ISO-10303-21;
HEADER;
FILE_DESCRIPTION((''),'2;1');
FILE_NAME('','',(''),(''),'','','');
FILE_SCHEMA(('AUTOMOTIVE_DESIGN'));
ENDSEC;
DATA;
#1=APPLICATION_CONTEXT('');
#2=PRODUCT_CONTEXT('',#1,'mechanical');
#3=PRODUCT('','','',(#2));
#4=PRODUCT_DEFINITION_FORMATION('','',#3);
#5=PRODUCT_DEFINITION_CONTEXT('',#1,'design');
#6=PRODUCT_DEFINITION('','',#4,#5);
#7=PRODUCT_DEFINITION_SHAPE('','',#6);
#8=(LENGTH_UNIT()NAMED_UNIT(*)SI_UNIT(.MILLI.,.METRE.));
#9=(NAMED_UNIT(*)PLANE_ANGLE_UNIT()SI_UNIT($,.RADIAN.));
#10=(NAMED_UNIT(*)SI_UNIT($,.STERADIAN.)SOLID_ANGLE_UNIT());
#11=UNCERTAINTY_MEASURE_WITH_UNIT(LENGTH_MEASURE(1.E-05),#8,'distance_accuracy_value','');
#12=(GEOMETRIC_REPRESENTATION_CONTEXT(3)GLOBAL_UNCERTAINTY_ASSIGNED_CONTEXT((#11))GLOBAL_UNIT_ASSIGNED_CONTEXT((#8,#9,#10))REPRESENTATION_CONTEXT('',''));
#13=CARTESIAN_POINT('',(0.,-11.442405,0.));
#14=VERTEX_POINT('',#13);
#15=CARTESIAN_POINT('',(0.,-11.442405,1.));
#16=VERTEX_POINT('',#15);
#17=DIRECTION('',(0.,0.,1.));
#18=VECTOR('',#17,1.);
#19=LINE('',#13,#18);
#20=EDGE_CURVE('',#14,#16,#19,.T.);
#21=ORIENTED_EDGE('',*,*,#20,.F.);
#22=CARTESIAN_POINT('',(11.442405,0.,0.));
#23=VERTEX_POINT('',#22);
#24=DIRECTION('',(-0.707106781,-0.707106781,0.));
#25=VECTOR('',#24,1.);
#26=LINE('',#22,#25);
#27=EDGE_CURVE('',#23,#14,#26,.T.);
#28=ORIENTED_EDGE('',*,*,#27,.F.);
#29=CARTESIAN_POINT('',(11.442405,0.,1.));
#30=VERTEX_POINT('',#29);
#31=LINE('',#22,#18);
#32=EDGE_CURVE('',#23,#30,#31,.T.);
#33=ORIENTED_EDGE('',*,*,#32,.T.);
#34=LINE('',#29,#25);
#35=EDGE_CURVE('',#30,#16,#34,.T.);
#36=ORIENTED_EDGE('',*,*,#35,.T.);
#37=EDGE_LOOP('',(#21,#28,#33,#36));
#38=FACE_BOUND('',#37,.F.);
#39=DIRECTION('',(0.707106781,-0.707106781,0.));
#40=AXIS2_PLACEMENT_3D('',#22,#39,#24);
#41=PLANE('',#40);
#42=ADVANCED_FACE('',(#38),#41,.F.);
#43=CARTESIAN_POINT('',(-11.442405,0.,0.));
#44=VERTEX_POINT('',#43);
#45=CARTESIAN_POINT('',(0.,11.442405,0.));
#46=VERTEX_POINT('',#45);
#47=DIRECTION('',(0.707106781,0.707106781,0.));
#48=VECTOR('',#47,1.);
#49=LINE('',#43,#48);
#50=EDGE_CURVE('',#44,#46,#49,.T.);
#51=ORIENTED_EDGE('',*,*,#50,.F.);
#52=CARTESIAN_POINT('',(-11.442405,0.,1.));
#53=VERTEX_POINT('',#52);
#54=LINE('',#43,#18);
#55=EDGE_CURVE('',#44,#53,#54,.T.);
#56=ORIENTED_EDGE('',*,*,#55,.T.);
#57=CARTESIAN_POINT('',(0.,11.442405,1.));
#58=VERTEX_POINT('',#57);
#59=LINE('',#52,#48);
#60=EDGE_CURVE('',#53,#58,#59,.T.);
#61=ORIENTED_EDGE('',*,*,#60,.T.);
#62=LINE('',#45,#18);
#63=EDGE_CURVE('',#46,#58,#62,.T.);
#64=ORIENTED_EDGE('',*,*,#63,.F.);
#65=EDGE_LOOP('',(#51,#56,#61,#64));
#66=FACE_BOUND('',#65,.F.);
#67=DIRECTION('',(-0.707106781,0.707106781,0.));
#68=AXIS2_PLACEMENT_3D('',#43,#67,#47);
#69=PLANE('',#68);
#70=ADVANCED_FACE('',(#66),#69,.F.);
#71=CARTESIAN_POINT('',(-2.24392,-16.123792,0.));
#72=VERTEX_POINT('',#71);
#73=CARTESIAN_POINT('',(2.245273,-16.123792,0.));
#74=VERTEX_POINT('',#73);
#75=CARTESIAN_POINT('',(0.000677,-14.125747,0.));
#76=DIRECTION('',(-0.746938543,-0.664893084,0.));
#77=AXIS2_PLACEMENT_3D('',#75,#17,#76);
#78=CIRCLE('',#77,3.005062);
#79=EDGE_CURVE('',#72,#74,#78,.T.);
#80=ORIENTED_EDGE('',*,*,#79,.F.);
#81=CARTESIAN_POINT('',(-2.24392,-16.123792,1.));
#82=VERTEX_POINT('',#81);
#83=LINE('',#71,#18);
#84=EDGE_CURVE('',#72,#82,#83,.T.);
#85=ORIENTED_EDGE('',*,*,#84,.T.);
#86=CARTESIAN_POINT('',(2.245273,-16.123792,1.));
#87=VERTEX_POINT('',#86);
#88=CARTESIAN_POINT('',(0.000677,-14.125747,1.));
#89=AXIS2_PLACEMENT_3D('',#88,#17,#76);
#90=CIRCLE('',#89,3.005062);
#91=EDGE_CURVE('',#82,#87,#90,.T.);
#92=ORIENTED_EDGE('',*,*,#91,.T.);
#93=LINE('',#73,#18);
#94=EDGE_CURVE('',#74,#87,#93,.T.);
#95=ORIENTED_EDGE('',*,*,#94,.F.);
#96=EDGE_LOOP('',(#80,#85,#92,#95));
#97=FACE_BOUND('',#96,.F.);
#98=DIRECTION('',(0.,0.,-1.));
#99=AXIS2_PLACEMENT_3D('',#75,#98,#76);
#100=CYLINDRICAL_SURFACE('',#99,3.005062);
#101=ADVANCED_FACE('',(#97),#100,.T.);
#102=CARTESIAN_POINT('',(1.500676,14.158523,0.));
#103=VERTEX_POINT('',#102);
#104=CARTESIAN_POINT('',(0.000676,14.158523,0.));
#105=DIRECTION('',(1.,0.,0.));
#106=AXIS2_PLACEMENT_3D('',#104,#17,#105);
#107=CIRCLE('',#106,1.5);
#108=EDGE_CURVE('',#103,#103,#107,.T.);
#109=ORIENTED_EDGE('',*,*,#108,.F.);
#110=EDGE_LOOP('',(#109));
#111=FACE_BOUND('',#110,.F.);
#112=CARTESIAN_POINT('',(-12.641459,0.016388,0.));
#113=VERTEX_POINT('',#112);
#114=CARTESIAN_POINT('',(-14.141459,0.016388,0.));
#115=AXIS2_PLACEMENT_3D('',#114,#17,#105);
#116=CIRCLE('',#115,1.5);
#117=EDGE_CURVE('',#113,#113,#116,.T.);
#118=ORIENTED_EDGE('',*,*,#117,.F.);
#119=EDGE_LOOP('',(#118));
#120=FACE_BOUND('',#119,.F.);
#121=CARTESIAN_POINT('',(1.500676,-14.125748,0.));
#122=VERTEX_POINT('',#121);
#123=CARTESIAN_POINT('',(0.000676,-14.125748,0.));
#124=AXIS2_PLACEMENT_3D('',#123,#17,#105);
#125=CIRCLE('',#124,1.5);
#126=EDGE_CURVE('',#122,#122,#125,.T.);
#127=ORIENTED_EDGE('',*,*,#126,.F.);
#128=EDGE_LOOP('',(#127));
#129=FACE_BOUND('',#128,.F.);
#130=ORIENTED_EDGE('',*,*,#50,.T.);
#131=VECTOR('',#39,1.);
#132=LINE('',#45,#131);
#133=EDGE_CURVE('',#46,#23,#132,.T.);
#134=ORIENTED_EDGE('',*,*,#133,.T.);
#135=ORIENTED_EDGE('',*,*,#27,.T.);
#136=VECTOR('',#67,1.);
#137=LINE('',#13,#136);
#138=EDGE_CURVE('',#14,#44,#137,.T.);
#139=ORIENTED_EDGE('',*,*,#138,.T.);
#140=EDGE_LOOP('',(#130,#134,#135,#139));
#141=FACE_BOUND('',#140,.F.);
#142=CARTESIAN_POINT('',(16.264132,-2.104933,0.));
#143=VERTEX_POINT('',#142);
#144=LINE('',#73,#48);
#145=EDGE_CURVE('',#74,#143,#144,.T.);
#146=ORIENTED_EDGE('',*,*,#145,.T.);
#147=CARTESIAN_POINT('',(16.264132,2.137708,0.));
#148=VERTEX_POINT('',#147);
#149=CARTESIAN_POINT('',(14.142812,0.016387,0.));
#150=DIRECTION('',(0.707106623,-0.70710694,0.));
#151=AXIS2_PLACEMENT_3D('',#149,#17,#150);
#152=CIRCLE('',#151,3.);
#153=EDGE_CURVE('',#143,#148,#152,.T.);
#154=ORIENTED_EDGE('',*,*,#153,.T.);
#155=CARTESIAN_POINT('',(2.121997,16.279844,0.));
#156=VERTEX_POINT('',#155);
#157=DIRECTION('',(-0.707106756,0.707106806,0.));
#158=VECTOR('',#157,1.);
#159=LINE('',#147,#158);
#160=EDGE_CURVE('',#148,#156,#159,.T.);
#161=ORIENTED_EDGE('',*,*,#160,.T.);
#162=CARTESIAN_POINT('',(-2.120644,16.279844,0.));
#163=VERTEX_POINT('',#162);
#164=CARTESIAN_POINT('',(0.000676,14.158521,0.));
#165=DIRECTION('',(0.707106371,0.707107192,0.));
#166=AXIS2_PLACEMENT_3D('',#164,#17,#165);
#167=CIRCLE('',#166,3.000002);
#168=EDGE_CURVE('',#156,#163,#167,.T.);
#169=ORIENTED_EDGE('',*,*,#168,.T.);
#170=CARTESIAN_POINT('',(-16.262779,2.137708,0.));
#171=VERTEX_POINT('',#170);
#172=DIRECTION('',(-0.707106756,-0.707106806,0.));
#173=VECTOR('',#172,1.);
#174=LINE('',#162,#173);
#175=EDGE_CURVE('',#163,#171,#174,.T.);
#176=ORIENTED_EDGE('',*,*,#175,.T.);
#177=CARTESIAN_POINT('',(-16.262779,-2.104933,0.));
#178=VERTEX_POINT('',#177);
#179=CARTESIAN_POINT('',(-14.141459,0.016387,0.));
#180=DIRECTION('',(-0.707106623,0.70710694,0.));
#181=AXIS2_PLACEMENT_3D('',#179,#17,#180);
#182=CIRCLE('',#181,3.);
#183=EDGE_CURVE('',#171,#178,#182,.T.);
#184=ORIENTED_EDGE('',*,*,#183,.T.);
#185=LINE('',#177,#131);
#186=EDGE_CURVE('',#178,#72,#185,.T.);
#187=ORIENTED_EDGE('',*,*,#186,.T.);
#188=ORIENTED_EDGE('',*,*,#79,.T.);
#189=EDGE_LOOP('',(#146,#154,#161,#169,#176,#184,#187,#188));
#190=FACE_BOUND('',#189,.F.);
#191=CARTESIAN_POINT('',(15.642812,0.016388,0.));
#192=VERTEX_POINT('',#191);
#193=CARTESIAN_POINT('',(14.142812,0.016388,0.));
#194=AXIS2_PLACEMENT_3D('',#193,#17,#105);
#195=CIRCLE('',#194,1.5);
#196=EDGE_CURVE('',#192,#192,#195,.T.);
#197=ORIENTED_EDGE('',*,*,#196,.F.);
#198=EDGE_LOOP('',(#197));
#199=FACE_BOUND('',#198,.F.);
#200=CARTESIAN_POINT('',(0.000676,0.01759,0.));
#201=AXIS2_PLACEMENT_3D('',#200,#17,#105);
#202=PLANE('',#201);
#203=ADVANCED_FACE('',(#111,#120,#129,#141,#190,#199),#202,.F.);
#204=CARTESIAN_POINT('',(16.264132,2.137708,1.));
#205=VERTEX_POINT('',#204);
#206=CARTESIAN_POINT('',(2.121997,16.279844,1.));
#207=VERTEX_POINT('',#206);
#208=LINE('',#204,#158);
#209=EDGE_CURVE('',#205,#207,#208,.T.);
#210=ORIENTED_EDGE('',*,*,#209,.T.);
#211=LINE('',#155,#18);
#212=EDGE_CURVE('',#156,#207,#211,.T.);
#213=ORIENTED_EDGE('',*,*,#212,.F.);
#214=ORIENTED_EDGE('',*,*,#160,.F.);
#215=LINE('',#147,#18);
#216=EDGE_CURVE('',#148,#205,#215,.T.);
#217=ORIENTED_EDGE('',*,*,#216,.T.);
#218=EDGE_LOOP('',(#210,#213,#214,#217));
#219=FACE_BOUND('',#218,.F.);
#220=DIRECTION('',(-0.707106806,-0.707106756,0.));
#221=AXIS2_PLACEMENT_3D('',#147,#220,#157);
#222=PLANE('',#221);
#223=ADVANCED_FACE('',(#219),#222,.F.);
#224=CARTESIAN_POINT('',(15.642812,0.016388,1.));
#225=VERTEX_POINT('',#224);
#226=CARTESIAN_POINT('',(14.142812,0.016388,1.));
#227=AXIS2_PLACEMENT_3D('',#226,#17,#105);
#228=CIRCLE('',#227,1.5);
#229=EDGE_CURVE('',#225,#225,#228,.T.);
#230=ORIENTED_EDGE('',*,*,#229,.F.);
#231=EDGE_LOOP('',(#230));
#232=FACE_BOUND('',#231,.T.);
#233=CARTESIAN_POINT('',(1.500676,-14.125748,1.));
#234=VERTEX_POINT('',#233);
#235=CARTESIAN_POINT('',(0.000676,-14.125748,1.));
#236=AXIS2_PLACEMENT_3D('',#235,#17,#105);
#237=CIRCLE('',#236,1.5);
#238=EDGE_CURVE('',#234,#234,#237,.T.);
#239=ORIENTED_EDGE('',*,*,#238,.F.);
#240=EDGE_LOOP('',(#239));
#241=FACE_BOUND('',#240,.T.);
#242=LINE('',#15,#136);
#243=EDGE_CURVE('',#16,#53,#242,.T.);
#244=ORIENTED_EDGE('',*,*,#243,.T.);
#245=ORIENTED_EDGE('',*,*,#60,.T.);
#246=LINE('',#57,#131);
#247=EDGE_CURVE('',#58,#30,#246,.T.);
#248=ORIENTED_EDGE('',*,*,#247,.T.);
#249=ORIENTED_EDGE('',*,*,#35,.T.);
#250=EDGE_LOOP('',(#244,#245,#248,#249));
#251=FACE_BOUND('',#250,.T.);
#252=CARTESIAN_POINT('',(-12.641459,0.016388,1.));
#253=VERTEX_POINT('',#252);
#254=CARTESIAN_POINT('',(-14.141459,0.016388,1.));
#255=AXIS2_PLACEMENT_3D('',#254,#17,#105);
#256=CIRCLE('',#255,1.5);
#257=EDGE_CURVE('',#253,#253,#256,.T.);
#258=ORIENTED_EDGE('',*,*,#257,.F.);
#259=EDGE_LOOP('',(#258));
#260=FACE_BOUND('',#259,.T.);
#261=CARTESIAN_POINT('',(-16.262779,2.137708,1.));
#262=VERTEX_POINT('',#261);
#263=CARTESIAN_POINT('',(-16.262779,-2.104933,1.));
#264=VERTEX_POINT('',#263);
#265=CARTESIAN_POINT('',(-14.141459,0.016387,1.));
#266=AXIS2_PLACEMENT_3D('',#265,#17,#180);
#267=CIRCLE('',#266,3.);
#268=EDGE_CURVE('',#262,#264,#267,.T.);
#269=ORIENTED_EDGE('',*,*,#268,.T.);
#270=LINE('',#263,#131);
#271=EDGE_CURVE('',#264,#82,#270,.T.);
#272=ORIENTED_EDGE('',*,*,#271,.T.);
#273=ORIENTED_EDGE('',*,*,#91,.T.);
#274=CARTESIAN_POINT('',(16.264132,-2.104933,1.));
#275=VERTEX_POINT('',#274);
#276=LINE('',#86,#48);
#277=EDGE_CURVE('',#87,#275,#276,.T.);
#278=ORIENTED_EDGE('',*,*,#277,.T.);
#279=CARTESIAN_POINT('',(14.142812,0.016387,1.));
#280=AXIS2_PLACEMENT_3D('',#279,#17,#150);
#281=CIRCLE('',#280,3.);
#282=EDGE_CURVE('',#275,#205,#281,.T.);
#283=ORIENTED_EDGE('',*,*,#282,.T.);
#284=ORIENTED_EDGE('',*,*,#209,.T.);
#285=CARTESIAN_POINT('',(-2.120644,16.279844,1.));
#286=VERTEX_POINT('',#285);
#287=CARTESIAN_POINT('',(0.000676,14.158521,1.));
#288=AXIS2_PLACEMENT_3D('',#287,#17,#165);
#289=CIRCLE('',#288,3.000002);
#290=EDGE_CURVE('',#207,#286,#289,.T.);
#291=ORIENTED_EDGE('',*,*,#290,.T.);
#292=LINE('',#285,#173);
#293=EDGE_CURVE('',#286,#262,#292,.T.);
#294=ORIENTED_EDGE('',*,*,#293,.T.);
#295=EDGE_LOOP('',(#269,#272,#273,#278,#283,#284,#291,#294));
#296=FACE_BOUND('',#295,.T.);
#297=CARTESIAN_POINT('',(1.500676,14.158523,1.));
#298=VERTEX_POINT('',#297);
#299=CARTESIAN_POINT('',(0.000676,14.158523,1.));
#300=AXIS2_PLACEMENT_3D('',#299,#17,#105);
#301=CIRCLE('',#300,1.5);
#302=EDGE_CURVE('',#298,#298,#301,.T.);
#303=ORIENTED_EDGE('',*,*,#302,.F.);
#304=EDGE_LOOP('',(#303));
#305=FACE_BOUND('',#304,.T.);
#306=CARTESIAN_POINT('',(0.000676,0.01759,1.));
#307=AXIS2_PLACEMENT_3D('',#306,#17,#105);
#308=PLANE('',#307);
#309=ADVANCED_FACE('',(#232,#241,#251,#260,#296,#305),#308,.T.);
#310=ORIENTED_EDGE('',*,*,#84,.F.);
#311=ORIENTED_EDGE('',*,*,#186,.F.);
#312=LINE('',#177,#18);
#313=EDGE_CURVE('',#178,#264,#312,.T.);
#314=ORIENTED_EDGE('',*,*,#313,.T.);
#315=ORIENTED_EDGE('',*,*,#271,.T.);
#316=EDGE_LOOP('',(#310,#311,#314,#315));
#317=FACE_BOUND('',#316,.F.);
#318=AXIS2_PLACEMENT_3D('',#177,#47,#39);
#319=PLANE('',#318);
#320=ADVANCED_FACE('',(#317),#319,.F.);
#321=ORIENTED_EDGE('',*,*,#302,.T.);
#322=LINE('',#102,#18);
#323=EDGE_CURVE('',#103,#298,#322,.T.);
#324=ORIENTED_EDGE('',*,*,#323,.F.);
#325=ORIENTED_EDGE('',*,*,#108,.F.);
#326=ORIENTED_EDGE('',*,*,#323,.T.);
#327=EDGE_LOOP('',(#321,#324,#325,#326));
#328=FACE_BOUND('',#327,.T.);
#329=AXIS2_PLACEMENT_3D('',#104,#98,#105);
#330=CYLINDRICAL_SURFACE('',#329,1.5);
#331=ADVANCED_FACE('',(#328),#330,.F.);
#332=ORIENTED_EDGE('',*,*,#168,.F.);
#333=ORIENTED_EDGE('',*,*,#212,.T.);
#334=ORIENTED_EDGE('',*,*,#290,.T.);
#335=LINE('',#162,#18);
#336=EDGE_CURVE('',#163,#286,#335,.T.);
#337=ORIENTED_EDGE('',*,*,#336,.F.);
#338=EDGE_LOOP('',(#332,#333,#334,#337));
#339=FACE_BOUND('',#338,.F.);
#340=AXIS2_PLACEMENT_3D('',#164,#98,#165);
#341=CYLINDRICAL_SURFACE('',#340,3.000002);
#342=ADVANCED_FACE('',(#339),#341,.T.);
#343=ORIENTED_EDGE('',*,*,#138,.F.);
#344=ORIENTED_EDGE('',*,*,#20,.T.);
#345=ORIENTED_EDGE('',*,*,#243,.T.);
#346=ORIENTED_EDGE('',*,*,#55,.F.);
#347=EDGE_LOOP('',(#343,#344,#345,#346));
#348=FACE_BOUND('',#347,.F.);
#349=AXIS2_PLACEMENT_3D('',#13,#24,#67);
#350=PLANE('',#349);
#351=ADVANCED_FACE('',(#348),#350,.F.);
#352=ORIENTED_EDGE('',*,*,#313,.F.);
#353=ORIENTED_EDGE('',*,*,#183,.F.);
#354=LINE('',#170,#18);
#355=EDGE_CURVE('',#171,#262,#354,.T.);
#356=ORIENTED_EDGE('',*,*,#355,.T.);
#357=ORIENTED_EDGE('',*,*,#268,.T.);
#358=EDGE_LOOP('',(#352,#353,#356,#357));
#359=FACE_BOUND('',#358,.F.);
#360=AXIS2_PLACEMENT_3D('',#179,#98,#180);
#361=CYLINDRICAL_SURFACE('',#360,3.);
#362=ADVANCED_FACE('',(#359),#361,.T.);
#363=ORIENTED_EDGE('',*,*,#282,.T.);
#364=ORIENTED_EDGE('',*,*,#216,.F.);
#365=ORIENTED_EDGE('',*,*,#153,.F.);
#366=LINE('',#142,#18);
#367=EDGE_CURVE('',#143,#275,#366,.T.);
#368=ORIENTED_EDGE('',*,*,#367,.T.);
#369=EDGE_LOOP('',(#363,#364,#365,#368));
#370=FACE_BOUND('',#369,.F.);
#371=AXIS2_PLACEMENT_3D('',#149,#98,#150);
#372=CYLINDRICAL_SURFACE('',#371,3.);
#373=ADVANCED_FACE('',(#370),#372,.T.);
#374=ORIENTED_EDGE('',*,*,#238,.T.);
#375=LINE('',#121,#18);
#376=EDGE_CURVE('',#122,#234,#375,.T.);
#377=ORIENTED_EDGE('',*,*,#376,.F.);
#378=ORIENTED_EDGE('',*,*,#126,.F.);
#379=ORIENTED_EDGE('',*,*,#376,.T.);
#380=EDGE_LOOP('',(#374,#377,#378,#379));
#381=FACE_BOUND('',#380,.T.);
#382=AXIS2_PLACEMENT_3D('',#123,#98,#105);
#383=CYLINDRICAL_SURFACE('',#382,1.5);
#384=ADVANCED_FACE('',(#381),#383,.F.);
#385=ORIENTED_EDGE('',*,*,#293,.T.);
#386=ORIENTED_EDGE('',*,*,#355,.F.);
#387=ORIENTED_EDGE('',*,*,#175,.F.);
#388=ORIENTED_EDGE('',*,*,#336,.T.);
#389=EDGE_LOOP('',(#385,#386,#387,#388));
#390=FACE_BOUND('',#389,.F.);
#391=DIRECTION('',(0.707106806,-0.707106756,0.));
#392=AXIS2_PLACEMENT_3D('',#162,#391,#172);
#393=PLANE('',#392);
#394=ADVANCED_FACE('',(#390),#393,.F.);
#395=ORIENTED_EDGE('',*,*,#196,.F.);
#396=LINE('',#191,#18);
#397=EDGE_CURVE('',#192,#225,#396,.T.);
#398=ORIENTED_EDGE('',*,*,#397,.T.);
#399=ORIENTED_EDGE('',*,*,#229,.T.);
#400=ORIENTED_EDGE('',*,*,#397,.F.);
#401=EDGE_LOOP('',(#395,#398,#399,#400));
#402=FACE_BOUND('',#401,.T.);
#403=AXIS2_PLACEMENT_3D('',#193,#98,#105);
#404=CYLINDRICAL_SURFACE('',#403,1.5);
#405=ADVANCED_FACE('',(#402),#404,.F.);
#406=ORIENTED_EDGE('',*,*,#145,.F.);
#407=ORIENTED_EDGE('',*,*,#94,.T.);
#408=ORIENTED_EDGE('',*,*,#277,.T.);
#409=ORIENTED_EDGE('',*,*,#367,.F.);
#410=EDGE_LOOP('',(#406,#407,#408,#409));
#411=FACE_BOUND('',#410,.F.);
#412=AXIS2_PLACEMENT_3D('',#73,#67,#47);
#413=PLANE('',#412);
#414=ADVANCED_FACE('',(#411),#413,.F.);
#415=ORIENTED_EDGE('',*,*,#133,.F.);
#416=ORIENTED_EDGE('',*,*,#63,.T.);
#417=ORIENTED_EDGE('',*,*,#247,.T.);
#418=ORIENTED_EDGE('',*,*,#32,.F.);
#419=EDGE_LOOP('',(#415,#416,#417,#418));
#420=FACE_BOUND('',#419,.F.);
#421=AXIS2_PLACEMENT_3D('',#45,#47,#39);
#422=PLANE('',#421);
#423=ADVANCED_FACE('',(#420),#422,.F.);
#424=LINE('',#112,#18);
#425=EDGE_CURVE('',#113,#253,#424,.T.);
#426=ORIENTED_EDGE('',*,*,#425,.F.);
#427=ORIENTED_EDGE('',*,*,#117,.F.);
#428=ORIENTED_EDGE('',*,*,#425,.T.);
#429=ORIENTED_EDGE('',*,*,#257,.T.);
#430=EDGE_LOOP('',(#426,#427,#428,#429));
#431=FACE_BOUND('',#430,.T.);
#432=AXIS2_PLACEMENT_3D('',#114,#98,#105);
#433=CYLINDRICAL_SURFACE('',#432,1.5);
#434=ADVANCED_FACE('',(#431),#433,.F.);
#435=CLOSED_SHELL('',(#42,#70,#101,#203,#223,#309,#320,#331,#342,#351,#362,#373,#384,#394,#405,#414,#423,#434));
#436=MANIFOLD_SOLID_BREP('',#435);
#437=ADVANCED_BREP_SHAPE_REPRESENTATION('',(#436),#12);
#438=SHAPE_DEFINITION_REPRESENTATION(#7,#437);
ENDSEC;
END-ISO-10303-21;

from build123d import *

# Parameters (mm, degrees)
F0_R     = 1.5
F1_DEPTH = 1


with BuildPart() as f1:
    # F0 (on Top) → F1 (new body)
    with BuildSketch(Plane.XY):
        with BuildLine():
            Line((-16.262779, -2.104933), (-2.24392, -16.123792))
            ThreePointArc((-2.24392, -16.123792), (0.000676, -17.130809), (2.245273, -16.123792))
            Line((2.245273, -16.123792), (16.264132, -2.104933))
            ThreePointArc((16.264132, -2.104933), (17.142812, 0.016388), (16.264132, 2.137708))
            Line((16.264132, 2.137708), (2.121997, 16.279844))
            ThreePointArc((2.121997, 16.279844), (0.000676, 17.158523), (-2.120644, 16.279844))
            Line((-2.120644, 16.279844), (-16.262779, 2.137708))
            ThreePointArc((-16.262779, 2.137708), (-17.141459, 0.016388), (-16.262779, -2.104933))
        make_face()
        Polygon((-11.442405, 0), (0, 11.442405), (11.442405, 0), (0, -11.442405), align=None, mode=Mode.SUBTRACT)
        with Locations((0.000676, -14.125748)):
            Circle(F0_R, mode=Mode.SUBTRACT)
        with Locations((-14.141459, 0.016388)):
            Circle(F0_R, mode=Mode.SUBTRACT)
        with Locations((0.000676, 14.158523)):
            Circle(F0_R, mode=Mode.SUBTRACT)
        with Locations((14.142812, 0.016388)):
            Circle(F0_R, mode=Mode.SUBTRACT)
    extrude(amount=F1_DEPTH)


solid = f1.part
